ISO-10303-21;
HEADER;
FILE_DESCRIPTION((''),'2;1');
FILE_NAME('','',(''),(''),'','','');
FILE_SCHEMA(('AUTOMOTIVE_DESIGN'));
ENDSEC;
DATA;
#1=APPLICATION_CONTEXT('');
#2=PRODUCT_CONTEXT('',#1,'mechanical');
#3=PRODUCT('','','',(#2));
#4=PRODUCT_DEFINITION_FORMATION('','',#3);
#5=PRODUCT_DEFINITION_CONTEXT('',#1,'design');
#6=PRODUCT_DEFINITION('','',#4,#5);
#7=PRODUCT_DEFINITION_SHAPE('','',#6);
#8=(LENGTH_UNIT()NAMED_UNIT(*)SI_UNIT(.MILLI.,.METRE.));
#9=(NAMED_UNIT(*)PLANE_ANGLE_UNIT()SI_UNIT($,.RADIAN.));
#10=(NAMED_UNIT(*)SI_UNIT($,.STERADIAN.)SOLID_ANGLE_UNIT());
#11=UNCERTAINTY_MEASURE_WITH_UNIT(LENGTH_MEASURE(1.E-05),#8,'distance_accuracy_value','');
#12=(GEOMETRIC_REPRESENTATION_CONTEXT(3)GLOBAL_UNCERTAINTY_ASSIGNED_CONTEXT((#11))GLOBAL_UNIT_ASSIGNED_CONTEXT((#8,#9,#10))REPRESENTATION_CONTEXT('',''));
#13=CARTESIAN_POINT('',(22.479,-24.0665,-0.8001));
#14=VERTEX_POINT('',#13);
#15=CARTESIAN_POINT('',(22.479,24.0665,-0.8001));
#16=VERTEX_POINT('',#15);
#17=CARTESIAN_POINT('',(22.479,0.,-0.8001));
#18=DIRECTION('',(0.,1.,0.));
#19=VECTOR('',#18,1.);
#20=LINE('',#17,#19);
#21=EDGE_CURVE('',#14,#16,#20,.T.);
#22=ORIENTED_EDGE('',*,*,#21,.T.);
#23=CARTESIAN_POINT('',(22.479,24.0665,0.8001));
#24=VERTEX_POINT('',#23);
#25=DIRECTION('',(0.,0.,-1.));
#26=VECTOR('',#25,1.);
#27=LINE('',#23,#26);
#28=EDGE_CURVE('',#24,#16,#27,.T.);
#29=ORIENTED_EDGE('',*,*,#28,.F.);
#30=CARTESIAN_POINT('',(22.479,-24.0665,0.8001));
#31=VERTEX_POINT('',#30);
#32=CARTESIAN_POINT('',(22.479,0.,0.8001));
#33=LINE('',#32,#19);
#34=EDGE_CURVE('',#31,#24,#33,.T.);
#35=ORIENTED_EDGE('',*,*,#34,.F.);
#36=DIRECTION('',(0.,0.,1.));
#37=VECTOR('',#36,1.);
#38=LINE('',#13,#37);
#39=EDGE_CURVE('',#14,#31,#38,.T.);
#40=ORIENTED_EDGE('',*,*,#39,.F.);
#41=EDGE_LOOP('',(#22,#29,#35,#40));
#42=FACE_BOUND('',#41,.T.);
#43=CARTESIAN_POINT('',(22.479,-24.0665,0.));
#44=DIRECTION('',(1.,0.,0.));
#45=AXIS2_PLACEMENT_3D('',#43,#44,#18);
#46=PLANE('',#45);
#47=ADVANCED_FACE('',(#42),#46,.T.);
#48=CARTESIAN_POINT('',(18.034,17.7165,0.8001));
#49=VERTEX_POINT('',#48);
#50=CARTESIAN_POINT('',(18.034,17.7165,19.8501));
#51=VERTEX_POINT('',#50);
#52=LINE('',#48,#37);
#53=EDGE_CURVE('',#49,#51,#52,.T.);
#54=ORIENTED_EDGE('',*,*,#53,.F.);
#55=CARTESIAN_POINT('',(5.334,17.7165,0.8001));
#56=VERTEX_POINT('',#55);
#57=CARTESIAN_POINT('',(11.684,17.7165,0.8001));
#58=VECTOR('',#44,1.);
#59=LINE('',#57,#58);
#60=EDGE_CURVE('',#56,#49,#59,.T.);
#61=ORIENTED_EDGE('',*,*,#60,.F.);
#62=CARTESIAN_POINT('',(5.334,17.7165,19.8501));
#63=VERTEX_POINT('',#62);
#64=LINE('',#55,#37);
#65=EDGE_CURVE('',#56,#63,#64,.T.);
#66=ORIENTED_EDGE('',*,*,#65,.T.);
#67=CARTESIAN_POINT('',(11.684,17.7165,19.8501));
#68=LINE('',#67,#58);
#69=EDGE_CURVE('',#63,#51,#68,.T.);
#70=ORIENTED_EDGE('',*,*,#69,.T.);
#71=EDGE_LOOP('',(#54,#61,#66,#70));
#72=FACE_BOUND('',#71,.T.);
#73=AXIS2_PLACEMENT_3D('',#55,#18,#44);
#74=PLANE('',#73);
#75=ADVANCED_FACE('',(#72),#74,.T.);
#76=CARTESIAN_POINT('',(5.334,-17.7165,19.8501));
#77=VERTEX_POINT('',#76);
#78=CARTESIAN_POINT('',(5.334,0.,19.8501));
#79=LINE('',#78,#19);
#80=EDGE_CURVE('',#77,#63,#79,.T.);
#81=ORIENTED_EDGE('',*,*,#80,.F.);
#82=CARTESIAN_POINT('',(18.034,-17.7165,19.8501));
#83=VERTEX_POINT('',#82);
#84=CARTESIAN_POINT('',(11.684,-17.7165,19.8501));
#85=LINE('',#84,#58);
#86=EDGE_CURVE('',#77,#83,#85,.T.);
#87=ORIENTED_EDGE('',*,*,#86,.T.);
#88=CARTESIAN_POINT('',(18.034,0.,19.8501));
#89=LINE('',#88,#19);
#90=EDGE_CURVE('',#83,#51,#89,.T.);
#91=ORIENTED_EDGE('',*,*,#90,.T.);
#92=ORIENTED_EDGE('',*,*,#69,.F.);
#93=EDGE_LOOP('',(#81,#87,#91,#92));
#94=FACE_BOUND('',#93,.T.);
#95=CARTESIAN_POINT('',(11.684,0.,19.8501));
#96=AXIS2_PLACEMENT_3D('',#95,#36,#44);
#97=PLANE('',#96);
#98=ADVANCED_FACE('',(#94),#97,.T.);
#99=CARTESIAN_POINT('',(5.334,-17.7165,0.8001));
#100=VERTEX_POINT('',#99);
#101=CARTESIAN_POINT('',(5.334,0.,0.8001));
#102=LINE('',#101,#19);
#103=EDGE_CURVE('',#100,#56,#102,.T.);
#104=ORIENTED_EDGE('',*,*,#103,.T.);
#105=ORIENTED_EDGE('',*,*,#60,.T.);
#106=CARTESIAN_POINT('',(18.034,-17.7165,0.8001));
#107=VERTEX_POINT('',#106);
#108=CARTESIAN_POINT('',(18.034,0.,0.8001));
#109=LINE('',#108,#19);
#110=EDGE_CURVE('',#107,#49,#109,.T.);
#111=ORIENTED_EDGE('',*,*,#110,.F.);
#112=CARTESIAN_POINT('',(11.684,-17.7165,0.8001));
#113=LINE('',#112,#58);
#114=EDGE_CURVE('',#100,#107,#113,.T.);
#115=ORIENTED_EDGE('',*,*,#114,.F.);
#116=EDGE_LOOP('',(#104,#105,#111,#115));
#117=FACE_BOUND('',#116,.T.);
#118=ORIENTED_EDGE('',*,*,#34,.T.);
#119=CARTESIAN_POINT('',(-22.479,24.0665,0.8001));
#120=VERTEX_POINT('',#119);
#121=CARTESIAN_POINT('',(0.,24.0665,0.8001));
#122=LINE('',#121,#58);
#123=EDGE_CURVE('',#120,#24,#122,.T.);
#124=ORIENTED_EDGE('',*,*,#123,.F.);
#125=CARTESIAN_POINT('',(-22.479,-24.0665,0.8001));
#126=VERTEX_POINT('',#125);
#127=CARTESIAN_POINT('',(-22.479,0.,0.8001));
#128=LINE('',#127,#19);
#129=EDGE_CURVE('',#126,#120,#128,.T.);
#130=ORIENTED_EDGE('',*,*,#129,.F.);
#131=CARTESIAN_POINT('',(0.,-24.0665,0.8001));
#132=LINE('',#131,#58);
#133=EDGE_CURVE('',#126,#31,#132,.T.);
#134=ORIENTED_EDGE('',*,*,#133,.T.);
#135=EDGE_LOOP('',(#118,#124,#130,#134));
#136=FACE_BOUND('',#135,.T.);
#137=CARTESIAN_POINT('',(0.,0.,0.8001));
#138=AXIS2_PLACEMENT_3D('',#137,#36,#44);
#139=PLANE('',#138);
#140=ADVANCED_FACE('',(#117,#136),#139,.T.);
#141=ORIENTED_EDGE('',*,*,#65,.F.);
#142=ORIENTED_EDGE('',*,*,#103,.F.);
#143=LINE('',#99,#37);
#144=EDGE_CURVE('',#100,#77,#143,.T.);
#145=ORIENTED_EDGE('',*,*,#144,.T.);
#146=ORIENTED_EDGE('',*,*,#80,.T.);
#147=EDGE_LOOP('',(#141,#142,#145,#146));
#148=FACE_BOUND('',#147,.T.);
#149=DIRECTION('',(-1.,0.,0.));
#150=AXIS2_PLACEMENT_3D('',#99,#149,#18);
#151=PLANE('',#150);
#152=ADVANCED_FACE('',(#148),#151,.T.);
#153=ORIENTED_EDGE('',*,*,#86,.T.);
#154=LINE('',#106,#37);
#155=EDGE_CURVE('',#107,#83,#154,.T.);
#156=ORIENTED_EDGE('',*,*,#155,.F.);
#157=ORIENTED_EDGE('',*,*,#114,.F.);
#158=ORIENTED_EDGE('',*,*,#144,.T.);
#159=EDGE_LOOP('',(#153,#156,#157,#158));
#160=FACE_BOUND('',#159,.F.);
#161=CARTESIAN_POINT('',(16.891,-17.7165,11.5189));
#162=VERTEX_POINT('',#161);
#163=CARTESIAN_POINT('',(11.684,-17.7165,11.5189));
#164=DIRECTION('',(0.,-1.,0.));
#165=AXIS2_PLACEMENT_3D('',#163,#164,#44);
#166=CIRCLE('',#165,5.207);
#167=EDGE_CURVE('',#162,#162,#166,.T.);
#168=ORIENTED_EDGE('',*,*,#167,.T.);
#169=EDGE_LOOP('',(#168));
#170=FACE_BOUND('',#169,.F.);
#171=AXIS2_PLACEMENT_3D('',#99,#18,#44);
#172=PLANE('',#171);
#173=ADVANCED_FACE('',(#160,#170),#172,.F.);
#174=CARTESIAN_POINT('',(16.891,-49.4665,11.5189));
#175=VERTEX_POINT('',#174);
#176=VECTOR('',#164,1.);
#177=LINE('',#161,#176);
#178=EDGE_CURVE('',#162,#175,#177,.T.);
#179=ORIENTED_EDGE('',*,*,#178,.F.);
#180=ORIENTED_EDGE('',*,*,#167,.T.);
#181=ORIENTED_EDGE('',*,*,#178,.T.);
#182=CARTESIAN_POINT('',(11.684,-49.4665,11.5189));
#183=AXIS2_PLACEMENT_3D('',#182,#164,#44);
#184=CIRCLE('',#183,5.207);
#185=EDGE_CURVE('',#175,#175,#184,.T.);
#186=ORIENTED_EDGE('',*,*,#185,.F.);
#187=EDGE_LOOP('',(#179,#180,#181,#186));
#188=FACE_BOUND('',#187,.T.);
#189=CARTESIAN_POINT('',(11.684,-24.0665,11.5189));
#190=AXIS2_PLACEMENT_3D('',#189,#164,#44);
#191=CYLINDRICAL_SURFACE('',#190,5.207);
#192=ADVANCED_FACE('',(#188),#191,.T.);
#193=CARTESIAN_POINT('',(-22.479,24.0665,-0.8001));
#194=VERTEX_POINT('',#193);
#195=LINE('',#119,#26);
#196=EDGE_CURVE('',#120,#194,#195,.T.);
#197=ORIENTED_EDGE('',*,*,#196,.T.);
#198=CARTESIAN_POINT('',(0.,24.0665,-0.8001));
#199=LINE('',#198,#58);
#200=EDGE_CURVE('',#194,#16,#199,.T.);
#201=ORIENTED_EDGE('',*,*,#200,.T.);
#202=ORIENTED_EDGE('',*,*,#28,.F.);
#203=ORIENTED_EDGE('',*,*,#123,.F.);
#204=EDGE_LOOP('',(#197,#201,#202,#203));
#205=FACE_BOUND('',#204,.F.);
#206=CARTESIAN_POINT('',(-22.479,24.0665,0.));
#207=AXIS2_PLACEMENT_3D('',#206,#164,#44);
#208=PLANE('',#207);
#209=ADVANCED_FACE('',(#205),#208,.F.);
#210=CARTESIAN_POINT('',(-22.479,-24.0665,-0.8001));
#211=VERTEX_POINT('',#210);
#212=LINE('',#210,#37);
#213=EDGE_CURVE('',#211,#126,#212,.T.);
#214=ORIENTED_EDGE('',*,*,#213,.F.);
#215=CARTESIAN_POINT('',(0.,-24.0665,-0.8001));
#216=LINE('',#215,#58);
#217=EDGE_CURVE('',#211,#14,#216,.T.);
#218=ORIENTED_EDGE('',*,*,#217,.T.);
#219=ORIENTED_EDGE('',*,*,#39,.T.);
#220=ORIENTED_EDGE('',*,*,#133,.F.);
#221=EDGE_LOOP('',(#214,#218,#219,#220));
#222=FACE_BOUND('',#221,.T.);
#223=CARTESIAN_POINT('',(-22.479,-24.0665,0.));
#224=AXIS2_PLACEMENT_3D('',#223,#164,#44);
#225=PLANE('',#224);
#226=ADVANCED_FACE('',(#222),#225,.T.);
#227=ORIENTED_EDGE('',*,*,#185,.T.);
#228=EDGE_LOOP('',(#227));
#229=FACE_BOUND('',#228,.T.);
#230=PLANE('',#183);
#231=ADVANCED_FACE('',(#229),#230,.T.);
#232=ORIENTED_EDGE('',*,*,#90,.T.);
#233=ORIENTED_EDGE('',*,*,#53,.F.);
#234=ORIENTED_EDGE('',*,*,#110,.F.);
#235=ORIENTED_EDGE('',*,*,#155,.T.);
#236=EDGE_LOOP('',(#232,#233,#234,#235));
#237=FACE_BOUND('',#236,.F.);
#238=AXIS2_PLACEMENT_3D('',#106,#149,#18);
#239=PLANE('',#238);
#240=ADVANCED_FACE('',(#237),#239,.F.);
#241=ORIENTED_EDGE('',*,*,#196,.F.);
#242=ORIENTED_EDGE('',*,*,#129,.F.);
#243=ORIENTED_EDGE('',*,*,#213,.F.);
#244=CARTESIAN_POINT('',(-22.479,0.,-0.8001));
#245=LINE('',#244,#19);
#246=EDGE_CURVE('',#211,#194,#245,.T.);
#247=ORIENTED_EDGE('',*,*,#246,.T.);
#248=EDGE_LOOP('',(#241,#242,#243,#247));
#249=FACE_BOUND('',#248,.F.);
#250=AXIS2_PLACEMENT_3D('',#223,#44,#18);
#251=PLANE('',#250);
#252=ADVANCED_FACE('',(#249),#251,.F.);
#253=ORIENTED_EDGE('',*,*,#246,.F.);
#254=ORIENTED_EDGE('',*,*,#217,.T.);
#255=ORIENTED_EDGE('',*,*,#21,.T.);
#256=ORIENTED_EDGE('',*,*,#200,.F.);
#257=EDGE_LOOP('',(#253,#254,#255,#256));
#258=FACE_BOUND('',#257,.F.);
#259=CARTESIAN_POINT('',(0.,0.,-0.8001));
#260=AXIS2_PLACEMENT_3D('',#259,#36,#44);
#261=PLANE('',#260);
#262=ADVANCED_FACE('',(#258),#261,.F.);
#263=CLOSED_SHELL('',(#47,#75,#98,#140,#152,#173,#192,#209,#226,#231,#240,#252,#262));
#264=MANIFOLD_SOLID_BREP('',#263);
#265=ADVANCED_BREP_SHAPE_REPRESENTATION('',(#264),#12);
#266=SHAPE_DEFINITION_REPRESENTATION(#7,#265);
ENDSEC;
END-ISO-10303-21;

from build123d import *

# Parameters (mm, degrees)
F0_W          = 44.958
F0_H          = 48.133
F1_DEPTH      = 0.8001
F2_R          = 5.207
F3_DEPTH      = 25.4
F3_DEPTH_BACK = 6.35
F4_W          = 12.7
F4_H          = 35.433
F5_DEPTH      = 19.05


with BuildPart() as f1:
    # F0 (on Top) → F1 (new body, symmetric)
    with BuildSketch(Plane.XY):
        Rectangle(F0_W, F0_H)
    extrude(amount=F1_DEPTH, both=True)



with BuildPart() as f3:
    # F2 (on face) → F3 (new body, two sides)
    with BuildSketch(Plane.XZ.offset(24.0665)) as f3_sk:
        with Locations((11.684, 11.5189)):
            Circle(F2_R)
    extrude(amount=F3_DEPTH)
    extrude(f3_sk.sketch, amount=-F3_DEPTH_BACK)


with BuildPart() as f1_1:
    add(f1.part)

    add(f3.part)  # F5 merges F3
    # F4 (on face) → F5 (join)
    with BuildSketch(Plane.XY.offset(0.8001)):
        with Locations((11.684, 0)):
            Rectangle(F4_W, F4_H)
    extrude(amount=F5_DEPTH)


solid = f1_1.part
